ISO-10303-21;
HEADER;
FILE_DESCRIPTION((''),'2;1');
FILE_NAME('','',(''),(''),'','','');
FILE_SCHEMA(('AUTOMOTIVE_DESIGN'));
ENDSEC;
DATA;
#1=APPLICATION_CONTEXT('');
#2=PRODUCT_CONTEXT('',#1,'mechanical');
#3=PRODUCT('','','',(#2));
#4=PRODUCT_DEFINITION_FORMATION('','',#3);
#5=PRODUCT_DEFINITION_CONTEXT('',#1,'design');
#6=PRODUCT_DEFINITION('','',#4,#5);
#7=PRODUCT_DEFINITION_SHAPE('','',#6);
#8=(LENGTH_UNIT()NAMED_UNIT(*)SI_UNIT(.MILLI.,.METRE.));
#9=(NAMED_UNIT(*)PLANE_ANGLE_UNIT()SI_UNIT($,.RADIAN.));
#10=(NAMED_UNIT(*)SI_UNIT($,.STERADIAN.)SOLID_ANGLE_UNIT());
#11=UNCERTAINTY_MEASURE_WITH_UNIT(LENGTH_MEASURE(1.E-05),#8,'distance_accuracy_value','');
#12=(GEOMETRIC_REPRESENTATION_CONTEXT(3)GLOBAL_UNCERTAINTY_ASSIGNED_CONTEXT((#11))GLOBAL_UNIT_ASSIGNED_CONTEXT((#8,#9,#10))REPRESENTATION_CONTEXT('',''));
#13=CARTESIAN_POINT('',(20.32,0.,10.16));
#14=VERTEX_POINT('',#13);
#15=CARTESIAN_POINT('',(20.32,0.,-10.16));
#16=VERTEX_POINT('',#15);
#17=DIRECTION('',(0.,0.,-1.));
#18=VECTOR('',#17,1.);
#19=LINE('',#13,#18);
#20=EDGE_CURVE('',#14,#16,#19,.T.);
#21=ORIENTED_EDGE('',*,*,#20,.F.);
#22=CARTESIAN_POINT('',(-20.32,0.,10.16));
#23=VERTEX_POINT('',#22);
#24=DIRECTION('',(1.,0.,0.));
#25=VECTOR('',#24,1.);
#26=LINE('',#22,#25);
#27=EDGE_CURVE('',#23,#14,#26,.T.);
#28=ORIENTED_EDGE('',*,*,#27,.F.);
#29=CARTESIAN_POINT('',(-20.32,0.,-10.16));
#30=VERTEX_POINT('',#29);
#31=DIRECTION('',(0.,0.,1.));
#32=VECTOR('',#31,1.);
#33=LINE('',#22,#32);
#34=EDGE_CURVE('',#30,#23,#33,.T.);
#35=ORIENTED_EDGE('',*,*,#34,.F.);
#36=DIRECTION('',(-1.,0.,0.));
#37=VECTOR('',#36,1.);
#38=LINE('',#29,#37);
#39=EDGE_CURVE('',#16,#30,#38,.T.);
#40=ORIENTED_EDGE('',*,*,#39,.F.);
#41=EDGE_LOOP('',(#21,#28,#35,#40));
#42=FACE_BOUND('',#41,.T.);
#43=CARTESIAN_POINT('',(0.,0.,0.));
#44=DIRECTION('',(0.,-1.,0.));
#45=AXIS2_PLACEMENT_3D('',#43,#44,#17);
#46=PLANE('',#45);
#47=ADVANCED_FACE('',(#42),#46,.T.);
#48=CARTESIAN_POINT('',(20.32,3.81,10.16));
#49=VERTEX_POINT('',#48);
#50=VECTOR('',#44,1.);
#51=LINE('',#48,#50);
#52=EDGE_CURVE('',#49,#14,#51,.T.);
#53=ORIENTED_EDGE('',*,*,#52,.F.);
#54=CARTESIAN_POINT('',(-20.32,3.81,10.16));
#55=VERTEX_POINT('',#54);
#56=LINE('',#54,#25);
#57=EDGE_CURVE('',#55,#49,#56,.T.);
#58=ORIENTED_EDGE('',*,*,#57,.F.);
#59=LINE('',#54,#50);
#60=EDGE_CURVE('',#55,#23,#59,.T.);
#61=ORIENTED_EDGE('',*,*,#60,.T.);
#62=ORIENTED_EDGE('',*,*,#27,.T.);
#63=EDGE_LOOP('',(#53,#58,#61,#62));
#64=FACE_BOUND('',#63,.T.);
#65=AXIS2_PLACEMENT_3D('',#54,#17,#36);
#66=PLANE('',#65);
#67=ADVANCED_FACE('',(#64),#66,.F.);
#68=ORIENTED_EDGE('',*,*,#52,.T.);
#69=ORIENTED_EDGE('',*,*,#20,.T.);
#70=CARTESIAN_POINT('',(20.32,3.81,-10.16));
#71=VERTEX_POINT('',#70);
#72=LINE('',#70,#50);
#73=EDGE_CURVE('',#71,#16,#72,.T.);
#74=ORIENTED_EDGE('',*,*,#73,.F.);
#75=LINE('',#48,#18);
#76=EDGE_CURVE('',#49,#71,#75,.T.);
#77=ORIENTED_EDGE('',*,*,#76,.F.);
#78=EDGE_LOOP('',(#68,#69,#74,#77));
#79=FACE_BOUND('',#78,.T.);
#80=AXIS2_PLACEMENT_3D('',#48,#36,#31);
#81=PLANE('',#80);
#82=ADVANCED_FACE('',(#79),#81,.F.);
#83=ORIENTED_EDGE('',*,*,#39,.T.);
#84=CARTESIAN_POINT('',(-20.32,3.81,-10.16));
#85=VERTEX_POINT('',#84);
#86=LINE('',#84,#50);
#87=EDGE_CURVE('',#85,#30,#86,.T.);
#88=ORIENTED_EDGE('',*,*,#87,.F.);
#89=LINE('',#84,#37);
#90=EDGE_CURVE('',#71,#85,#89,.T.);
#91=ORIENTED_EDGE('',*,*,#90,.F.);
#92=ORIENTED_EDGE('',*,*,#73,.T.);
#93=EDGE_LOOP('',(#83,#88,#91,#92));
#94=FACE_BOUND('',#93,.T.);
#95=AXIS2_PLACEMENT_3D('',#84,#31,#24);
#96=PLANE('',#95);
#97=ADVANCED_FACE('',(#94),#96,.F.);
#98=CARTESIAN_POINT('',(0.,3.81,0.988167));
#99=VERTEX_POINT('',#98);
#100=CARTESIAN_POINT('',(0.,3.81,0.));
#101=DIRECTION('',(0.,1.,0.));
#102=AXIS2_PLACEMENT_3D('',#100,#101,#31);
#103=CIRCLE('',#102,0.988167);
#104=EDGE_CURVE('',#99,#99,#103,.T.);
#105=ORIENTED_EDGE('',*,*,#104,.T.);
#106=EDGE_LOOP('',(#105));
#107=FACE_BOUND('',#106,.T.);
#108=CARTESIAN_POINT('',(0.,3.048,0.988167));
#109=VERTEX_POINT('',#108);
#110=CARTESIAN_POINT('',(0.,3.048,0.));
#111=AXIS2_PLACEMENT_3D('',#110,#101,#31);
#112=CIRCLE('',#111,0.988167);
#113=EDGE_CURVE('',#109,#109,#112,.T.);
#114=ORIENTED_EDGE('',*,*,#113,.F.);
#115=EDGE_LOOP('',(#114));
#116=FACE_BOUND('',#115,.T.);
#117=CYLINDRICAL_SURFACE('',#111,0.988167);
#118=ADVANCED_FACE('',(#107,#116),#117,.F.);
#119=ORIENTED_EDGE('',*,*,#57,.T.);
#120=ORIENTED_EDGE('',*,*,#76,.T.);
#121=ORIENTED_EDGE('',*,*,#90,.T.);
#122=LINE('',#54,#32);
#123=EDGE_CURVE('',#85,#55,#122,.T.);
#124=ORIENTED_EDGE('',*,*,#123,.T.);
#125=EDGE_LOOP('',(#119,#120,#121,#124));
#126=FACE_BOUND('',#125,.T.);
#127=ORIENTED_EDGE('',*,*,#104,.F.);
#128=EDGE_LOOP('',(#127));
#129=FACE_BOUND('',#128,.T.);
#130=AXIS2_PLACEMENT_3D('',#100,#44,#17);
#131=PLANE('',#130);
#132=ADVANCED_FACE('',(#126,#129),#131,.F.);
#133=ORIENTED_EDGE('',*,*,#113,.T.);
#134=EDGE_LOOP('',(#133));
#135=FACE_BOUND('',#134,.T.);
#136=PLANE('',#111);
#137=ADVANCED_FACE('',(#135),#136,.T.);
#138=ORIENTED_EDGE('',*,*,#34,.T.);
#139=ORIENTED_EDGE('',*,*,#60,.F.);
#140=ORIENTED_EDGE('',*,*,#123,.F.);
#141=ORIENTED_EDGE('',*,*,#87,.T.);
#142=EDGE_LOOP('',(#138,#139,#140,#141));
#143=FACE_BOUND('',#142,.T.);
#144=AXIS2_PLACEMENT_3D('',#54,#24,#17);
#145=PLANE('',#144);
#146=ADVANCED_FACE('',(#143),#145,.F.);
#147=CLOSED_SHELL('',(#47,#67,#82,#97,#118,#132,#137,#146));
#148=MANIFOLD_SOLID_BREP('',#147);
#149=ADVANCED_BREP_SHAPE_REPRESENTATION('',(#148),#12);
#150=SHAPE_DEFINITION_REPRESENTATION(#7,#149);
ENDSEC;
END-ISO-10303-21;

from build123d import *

# Parameters (mm, degrees)
SKETCH1_W           = 40.64
SKETCH1_H           = 20.32
BOSS_EXTRUDE2_DEPTH = 3.81
SKETCH2_R           = 0.988166538
CUT_EXTRUDE1_DEPTH  = 0.762


with BuildPart() as part:
    # Sketch1 → Boss-Extrude2 (new body)
    with BuildSketch(Plane(origin=(0, 0, 0), x_dir=(1, 0, 0), z_dir=(0, 1, 0))):
        Rectangle(SKETCH1_W, SKETCH1_H)
    extrude(amount=BOSS_EXTRUDE2_DEPTH)

    # Sketch2 → Cut-Extrude1 (cut)
    with BuildSketch(Plane(origin=(0, 3.81, 0), x_dir=(1, 0, 0), z_dir=(0, 1, 0))):
        Circle(SKETCH2_R)
    extrude(amount=-CUT_EXTRUDE1_DEPTH, mode=Mode.SUBTRACT)


solid = part.part
